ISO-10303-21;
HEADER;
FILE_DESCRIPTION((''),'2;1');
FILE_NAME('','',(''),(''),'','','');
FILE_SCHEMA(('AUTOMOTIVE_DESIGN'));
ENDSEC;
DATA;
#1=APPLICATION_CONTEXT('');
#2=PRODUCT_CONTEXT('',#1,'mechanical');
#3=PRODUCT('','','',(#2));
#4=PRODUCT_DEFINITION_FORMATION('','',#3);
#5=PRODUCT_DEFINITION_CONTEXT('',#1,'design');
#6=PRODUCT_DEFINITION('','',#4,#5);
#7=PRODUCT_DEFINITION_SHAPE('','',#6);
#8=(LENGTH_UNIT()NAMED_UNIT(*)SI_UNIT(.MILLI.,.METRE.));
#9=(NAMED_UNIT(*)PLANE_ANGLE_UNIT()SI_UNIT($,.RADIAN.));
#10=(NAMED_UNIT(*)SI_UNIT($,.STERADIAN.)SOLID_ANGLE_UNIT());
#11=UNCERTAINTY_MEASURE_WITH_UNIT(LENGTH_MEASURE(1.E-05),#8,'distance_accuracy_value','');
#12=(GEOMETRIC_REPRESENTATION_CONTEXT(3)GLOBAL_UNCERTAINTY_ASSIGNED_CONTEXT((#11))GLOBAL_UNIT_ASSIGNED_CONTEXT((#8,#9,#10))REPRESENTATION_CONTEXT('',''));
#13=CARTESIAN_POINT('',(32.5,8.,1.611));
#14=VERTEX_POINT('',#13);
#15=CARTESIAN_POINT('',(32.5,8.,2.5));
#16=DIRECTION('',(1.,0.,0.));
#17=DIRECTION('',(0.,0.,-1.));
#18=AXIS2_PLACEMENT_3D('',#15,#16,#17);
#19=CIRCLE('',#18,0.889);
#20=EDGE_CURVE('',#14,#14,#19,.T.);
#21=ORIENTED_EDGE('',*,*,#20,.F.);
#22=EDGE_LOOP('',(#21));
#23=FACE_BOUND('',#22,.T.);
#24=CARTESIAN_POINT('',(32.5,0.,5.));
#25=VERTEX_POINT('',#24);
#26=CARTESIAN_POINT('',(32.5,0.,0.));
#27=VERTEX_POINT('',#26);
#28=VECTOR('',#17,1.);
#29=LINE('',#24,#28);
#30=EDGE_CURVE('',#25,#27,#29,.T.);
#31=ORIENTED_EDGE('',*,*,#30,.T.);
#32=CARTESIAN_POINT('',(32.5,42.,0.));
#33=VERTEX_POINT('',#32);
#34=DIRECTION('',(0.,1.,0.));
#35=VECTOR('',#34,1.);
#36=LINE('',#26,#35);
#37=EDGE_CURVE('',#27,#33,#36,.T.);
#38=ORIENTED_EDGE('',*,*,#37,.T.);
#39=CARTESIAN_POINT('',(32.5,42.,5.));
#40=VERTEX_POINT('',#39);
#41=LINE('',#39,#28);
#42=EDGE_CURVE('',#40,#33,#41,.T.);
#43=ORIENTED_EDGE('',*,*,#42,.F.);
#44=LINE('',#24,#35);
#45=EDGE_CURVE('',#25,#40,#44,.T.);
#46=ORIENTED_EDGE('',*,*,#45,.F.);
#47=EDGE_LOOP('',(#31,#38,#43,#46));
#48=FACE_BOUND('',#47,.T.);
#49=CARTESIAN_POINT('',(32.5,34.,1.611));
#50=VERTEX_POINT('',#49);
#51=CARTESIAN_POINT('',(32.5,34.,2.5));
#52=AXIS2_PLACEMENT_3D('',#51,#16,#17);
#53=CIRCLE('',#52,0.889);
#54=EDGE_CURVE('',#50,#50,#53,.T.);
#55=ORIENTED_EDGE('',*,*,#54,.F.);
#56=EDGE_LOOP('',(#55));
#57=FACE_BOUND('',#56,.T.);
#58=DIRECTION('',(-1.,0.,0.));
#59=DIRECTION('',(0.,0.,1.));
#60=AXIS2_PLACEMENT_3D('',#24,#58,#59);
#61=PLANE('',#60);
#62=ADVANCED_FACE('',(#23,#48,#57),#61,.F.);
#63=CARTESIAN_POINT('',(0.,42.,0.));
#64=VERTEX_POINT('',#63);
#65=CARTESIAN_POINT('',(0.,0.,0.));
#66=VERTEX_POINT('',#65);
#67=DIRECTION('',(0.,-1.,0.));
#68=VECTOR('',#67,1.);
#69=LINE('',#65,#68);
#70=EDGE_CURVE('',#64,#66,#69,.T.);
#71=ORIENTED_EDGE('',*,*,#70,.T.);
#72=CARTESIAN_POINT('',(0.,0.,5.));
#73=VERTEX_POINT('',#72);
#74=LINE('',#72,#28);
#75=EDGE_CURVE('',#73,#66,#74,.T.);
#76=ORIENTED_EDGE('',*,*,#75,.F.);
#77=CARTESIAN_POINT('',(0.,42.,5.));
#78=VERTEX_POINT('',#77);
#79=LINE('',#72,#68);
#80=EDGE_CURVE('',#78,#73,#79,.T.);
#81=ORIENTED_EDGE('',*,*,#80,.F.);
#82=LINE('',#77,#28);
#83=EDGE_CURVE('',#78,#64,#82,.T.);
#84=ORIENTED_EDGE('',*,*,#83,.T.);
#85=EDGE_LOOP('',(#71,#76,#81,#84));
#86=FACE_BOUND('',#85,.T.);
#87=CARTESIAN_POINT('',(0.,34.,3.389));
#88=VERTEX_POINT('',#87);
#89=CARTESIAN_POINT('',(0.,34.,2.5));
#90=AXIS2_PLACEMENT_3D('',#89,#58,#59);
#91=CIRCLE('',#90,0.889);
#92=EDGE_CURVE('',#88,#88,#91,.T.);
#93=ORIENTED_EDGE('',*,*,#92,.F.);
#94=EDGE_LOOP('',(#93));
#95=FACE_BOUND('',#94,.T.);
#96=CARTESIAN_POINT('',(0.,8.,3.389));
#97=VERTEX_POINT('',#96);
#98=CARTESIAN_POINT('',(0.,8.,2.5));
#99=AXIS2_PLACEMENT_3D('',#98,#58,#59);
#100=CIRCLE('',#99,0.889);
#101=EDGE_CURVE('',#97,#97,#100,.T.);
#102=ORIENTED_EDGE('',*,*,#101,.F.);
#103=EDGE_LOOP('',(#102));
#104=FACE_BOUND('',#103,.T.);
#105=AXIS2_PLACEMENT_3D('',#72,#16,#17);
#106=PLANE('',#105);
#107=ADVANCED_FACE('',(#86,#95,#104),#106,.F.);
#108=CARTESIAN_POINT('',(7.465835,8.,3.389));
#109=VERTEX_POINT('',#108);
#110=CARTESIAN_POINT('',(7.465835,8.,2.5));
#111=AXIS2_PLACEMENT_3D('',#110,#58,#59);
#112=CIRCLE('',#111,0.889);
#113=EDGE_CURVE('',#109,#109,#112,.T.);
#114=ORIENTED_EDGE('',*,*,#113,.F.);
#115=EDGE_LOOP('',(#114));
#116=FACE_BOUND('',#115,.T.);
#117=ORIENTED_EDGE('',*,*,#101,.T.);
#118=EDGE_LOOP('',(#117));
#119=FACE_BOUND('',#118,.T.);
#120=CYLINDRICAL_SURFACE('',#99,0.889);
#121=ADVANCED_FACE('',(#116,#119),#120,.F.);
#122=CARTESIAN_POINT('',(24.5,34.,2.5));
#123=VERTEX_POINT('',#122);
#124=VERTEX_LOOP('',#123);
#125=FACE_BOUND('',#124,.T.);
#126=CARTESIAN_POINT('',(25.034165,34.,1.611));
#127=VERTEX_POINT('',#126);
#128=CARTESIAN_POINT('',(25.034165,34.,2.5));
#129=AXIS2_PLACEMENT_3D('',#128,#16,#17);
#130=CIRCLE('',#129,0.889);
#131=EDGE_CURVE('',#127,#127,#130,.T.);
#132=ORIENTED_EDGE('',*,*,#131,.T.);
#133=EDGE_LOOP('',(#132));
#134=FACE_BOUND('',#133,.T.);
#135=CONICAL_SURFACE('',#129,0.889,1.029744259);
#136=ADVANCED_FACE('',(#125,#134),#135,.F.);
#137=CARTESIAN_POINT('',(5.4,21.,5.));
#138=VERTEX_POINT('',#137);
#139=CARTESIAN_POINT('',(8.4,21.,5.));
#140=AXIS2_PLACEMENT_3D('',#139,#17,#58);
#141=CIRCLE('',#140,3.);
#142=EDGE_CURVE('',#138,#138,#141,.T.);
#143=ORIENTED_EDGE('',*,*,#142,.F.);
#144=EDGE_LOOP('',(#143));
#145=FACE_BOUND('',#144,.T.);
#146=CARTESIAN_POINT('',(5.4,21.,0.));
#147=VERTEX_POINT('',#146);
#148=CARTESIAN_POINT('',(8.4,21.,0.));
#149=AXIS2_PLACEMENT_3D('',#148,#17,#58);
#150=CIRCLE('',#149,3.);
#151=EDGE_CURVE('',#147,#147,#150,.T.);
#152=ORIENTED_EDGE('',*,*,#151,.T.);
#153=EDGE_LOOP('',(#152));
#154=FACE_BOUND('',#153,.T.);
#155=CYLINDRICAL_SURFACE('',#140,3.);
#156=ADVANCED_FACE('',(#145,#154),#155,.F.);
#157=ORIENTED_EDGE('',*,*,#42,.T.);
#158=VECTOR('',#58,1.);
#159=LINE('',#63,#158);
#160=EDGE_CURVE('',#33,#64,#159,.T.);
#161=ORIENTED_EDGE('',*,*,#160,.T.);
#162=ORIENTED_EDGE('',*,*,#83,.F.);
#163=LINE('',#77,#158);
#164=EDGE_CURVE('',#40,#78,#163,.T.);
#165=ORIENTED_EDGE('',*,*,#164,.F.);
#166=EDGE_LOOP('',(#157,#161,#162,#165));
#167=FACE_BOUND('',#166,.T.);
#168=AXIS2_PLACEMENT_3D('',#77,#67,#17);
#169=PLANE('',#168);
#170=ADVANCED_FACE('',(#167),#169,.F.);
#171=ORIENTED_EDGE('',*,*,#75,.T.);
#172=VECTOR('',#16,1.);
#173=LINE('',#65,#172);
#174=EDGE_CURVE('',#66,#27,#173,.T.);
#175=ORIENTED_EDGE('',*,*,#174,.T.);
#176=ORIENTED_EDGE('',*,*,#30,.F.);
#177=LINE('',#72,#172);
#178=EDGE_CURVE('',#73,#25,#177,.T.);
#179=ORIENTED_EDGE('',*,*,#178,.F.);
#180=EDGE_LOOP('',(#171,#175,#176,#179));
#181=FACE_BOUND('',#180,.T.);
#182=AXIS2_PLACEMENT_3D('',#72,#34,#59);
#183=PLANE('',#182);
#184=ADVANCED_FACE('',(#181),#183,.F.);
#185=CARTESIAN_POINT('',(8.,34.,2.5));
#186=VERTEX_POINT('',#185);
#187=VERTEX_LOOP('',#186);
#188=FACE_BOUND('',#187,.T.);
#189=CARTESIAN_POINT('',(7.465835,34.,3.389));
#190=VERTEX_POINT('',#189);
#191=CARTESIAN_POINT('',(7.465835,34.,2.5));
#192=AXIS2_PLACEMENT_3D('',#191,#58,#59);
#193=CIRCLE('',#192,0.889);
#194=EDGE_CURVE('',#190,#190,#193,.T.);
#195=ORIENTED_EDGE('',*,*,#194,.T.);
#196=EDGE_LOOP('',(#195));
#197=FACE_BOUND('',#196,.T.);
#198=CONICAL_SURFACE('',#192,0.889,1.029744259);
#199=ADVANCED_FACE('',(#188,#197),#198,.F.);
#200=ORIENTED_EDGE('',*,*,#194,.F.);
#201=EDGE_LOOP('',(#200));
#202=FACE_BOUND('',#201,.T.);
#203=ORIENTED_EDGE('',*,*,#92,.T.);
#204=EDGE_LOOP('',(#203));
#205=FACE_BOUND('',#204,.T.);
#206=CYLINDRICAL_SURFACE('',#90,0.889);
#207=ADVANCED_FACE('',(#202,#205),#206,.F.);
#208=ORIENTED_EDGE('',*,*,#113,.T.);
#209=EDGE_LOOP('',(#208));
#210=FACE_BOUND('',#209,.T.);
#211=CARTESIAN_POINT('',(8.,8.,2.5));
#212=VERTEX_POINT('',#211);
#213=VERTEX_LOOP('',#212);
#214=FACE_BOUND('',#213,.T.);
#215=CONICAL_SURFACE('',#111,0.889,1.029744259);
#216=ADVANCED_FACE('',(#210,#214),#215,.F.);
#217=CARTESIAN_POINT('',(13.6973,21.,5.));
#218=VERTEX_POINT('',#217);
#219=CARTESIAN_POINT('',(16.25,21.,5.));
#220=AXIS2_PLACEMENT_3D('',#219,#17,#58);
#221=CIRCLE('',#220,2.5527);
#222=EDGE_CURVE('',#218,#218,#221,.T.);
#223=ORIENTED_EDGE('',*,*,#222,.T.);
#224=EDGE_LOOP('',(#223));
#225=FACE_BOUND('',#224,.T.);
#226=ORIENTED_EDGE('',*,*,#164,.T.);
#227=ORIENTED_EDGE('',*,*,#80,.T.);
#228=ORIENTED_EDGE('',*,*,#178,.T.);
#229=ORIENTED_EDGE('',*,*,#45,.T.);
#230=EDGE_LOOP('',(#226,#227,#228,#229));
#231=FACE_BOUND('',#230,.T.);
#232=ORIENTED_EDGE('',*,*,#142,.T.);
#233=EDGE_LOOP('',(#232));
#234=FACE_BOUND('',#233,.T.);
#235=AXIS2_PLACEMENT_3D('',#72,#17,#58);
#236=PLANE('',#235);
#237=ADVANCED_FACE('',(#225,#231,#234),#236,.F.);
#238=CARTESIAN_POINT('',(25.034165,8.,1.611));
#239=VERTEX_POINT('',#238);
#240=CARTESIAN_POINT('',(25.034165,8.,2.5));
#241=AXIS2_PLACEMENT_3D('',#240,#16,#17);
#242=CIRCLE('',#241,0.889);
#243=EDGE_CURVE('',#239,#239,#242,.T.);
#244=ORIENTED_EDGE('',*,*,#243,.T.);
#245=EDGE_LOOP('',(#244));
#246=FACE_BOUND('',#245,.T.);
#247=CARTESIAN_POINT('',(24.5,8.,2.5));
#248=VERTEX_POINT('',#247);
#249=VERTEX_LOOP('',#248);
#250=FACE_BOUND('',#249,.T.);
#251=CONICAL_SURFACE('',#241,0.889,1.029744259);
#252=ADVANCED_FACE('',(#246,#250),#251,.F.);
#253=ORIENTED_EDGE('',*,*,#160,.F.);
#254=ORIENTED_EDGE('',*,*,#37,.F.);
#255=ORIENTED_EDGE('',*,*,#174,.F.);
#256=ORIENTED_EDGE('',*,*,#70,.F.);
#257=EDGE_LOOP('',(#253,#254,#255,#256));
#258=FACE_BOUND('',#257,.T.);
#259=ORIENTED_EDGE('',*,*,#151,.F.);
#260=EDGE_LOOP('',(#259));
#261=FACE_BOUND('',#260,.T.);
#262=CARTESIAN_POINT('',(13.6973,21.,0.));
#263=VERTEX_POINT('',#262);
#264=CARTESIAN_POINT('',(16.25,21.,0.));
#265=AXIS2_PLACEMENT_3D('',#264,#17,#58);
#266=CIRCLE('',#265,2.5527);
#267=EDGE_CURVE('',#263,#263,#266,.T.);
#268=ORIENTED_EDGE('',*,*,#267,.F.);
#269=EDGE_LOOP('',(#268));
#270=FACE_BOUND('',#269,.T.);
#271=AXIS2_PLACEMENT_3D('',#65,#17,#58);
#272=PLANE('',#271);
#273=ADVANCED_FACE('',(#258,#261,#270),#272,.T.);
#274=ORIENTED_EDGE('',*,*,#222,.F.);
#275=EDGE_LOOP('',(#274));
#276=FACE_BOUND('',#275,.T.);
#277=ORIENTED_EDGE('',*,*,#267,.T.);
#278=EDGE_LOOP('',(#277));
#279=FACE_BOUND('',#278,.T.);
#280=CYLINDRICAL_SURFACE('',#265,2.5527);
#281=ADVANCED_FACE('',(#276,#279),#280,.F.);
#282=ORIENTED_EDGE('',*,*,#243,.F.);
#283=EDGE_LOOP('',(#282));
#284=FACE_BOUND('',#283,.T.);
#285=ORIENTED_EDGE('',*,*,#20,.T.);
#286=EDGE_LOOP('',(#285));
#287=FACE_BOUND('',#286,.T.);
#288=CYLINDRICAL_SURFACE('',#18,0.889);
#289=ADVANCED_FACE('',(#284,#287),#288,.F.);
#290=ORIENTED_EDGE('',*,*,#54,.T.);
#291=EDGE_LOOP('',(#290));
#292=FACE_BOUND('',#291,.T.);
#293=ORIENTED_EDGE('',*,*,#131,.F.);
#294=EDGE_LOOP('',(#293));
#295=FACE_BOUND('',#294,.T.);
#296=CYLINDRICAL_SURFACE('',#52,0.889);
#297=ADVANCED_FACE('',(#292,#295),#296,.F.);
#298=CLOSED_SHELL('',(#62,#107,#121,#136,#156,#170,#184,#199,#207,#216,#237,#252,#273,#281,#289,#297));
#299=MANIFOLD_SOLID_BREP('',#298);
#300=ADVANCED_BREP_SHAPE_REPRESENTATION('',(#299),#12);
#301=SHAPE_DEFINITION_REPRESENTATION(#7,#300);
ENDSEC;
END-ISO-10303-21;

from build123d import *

# Parameters (mm, degrees)
SKETCH1_W                 = 32.5
SKETCH1_H                 = 42
BOSS_EXTRUDE2_DEPTH       = 5
F_2_56_TAPPED_HOLE1_D     = 1.778
F_2_56_TAPPED_HOLE1_DEPTH = 7.46583491
F_2_56_TAPPED_HOLE1_TIP   = 0.53416509
F_2_56_TAPPED_HOLE2_D     = 1.778
F_2_56_TAPPED_HOLE2_DEPTH = 7.46583491
F_2_56_TAPPED_HOLE2_TIP   = 0.53416509
CUT_EXTRUDE1_DEPTH        = 5
F_1_4_20_TAPPED_HOLE1_D   = 5.1054


with BuildPart() as part:
    # Sketch1 → Boss-Extrude2 (new body)
    with BuildSketch(Plane.XY):
        with Locations((16.25, 21)):
            Rectangle(SKETCH1_W, SKETCH1_H)
    extrude(amount=BOSS_EXTRUDE2_DEPTH)

    # #2-56 Tapped Hole1
    with Locations(Plane.ZY):
        with Locations((2.5, 34), (2.5, 8)):
            Hole(F_2_56_TAPPED_HOLE1_D / 2, depth=F_2_56_TAPPED_HOLE1_DEPTH)
            with Locations((0, 0, -(F_2_56_TAPPED_HOLE1_DEPTH + F_2_56_TAPPED_HOLE1_TIP / 2))):  # 118° drill point
                Cone(0, F_2_56_TAPPED_HOLE1_D / 2, F_2_56_TAPPED_HOLE1_TIP, mode=Mode.SUBTRACT)

    # #2-56 Tapped Hole2
    with Locations(Plane(origin=(32.5, 0, 0), x_dir=(0, 0, -1), z_dir=(1, 0, 0))):
        with Locations((-2.5, 34), (-2.5, 8)):
            Hole(F_2_56_TAPPED_HOLE2_D / 2, depth=F_2_56_TAPPED_HOLE2_DEPTH)
            with Locations((0, 0, -(F_2_56_TAPPED_HOLE2_DEPTH + F_2_56_TAPPED_HOLE2_TIP / 2))):  # 118° drill point
                Cone(0, F_2_56_TAPPED_HOLE2_D / 2, F_2_56_TAPPED_HOLE2_TIP, mode=Mode.SUBTRACT)

    # Sketch9 → Cut-Extrude1 (cut)
    with BuildSketch(Plane(origin=(0, 0, 0), x_dir=(-1, 0, 0), z_dir=(0, 0, -1))):
        with BuildLine():
            ThreePointArc((-11.4, 21), (-8.4, 18), (-5.4, 21))
            Line((-5.4, 21), (-8.4, 21))
            Line((-8.4, 21), (-11.4, 21))
        make_face()
        with BuildLine():
            Line((-8.4, 21), (-5.4, 21))
            ThreePointArc((-5.4, 21), (-8.4, 24), (-11.4, 21))
            Line((-11.4, 21), (-8.4, 21))
        make_face()
    extrude(amount=-CUT_EXTRUDE1_DEPTH, mode=Mode.SUBTRACT)

    # 1/4-20 Tapped Hole1 (through all)
    with Locations(Plane(origin=(0, 0, 0), x_dir=(-1, 0, 0), z_dir=(0, 0, -1))):
        with Locations((-16.25, 21)):
            Hole(F_1_4_20_TAPPED_HOLE1_D / 2)


solid = part.part
